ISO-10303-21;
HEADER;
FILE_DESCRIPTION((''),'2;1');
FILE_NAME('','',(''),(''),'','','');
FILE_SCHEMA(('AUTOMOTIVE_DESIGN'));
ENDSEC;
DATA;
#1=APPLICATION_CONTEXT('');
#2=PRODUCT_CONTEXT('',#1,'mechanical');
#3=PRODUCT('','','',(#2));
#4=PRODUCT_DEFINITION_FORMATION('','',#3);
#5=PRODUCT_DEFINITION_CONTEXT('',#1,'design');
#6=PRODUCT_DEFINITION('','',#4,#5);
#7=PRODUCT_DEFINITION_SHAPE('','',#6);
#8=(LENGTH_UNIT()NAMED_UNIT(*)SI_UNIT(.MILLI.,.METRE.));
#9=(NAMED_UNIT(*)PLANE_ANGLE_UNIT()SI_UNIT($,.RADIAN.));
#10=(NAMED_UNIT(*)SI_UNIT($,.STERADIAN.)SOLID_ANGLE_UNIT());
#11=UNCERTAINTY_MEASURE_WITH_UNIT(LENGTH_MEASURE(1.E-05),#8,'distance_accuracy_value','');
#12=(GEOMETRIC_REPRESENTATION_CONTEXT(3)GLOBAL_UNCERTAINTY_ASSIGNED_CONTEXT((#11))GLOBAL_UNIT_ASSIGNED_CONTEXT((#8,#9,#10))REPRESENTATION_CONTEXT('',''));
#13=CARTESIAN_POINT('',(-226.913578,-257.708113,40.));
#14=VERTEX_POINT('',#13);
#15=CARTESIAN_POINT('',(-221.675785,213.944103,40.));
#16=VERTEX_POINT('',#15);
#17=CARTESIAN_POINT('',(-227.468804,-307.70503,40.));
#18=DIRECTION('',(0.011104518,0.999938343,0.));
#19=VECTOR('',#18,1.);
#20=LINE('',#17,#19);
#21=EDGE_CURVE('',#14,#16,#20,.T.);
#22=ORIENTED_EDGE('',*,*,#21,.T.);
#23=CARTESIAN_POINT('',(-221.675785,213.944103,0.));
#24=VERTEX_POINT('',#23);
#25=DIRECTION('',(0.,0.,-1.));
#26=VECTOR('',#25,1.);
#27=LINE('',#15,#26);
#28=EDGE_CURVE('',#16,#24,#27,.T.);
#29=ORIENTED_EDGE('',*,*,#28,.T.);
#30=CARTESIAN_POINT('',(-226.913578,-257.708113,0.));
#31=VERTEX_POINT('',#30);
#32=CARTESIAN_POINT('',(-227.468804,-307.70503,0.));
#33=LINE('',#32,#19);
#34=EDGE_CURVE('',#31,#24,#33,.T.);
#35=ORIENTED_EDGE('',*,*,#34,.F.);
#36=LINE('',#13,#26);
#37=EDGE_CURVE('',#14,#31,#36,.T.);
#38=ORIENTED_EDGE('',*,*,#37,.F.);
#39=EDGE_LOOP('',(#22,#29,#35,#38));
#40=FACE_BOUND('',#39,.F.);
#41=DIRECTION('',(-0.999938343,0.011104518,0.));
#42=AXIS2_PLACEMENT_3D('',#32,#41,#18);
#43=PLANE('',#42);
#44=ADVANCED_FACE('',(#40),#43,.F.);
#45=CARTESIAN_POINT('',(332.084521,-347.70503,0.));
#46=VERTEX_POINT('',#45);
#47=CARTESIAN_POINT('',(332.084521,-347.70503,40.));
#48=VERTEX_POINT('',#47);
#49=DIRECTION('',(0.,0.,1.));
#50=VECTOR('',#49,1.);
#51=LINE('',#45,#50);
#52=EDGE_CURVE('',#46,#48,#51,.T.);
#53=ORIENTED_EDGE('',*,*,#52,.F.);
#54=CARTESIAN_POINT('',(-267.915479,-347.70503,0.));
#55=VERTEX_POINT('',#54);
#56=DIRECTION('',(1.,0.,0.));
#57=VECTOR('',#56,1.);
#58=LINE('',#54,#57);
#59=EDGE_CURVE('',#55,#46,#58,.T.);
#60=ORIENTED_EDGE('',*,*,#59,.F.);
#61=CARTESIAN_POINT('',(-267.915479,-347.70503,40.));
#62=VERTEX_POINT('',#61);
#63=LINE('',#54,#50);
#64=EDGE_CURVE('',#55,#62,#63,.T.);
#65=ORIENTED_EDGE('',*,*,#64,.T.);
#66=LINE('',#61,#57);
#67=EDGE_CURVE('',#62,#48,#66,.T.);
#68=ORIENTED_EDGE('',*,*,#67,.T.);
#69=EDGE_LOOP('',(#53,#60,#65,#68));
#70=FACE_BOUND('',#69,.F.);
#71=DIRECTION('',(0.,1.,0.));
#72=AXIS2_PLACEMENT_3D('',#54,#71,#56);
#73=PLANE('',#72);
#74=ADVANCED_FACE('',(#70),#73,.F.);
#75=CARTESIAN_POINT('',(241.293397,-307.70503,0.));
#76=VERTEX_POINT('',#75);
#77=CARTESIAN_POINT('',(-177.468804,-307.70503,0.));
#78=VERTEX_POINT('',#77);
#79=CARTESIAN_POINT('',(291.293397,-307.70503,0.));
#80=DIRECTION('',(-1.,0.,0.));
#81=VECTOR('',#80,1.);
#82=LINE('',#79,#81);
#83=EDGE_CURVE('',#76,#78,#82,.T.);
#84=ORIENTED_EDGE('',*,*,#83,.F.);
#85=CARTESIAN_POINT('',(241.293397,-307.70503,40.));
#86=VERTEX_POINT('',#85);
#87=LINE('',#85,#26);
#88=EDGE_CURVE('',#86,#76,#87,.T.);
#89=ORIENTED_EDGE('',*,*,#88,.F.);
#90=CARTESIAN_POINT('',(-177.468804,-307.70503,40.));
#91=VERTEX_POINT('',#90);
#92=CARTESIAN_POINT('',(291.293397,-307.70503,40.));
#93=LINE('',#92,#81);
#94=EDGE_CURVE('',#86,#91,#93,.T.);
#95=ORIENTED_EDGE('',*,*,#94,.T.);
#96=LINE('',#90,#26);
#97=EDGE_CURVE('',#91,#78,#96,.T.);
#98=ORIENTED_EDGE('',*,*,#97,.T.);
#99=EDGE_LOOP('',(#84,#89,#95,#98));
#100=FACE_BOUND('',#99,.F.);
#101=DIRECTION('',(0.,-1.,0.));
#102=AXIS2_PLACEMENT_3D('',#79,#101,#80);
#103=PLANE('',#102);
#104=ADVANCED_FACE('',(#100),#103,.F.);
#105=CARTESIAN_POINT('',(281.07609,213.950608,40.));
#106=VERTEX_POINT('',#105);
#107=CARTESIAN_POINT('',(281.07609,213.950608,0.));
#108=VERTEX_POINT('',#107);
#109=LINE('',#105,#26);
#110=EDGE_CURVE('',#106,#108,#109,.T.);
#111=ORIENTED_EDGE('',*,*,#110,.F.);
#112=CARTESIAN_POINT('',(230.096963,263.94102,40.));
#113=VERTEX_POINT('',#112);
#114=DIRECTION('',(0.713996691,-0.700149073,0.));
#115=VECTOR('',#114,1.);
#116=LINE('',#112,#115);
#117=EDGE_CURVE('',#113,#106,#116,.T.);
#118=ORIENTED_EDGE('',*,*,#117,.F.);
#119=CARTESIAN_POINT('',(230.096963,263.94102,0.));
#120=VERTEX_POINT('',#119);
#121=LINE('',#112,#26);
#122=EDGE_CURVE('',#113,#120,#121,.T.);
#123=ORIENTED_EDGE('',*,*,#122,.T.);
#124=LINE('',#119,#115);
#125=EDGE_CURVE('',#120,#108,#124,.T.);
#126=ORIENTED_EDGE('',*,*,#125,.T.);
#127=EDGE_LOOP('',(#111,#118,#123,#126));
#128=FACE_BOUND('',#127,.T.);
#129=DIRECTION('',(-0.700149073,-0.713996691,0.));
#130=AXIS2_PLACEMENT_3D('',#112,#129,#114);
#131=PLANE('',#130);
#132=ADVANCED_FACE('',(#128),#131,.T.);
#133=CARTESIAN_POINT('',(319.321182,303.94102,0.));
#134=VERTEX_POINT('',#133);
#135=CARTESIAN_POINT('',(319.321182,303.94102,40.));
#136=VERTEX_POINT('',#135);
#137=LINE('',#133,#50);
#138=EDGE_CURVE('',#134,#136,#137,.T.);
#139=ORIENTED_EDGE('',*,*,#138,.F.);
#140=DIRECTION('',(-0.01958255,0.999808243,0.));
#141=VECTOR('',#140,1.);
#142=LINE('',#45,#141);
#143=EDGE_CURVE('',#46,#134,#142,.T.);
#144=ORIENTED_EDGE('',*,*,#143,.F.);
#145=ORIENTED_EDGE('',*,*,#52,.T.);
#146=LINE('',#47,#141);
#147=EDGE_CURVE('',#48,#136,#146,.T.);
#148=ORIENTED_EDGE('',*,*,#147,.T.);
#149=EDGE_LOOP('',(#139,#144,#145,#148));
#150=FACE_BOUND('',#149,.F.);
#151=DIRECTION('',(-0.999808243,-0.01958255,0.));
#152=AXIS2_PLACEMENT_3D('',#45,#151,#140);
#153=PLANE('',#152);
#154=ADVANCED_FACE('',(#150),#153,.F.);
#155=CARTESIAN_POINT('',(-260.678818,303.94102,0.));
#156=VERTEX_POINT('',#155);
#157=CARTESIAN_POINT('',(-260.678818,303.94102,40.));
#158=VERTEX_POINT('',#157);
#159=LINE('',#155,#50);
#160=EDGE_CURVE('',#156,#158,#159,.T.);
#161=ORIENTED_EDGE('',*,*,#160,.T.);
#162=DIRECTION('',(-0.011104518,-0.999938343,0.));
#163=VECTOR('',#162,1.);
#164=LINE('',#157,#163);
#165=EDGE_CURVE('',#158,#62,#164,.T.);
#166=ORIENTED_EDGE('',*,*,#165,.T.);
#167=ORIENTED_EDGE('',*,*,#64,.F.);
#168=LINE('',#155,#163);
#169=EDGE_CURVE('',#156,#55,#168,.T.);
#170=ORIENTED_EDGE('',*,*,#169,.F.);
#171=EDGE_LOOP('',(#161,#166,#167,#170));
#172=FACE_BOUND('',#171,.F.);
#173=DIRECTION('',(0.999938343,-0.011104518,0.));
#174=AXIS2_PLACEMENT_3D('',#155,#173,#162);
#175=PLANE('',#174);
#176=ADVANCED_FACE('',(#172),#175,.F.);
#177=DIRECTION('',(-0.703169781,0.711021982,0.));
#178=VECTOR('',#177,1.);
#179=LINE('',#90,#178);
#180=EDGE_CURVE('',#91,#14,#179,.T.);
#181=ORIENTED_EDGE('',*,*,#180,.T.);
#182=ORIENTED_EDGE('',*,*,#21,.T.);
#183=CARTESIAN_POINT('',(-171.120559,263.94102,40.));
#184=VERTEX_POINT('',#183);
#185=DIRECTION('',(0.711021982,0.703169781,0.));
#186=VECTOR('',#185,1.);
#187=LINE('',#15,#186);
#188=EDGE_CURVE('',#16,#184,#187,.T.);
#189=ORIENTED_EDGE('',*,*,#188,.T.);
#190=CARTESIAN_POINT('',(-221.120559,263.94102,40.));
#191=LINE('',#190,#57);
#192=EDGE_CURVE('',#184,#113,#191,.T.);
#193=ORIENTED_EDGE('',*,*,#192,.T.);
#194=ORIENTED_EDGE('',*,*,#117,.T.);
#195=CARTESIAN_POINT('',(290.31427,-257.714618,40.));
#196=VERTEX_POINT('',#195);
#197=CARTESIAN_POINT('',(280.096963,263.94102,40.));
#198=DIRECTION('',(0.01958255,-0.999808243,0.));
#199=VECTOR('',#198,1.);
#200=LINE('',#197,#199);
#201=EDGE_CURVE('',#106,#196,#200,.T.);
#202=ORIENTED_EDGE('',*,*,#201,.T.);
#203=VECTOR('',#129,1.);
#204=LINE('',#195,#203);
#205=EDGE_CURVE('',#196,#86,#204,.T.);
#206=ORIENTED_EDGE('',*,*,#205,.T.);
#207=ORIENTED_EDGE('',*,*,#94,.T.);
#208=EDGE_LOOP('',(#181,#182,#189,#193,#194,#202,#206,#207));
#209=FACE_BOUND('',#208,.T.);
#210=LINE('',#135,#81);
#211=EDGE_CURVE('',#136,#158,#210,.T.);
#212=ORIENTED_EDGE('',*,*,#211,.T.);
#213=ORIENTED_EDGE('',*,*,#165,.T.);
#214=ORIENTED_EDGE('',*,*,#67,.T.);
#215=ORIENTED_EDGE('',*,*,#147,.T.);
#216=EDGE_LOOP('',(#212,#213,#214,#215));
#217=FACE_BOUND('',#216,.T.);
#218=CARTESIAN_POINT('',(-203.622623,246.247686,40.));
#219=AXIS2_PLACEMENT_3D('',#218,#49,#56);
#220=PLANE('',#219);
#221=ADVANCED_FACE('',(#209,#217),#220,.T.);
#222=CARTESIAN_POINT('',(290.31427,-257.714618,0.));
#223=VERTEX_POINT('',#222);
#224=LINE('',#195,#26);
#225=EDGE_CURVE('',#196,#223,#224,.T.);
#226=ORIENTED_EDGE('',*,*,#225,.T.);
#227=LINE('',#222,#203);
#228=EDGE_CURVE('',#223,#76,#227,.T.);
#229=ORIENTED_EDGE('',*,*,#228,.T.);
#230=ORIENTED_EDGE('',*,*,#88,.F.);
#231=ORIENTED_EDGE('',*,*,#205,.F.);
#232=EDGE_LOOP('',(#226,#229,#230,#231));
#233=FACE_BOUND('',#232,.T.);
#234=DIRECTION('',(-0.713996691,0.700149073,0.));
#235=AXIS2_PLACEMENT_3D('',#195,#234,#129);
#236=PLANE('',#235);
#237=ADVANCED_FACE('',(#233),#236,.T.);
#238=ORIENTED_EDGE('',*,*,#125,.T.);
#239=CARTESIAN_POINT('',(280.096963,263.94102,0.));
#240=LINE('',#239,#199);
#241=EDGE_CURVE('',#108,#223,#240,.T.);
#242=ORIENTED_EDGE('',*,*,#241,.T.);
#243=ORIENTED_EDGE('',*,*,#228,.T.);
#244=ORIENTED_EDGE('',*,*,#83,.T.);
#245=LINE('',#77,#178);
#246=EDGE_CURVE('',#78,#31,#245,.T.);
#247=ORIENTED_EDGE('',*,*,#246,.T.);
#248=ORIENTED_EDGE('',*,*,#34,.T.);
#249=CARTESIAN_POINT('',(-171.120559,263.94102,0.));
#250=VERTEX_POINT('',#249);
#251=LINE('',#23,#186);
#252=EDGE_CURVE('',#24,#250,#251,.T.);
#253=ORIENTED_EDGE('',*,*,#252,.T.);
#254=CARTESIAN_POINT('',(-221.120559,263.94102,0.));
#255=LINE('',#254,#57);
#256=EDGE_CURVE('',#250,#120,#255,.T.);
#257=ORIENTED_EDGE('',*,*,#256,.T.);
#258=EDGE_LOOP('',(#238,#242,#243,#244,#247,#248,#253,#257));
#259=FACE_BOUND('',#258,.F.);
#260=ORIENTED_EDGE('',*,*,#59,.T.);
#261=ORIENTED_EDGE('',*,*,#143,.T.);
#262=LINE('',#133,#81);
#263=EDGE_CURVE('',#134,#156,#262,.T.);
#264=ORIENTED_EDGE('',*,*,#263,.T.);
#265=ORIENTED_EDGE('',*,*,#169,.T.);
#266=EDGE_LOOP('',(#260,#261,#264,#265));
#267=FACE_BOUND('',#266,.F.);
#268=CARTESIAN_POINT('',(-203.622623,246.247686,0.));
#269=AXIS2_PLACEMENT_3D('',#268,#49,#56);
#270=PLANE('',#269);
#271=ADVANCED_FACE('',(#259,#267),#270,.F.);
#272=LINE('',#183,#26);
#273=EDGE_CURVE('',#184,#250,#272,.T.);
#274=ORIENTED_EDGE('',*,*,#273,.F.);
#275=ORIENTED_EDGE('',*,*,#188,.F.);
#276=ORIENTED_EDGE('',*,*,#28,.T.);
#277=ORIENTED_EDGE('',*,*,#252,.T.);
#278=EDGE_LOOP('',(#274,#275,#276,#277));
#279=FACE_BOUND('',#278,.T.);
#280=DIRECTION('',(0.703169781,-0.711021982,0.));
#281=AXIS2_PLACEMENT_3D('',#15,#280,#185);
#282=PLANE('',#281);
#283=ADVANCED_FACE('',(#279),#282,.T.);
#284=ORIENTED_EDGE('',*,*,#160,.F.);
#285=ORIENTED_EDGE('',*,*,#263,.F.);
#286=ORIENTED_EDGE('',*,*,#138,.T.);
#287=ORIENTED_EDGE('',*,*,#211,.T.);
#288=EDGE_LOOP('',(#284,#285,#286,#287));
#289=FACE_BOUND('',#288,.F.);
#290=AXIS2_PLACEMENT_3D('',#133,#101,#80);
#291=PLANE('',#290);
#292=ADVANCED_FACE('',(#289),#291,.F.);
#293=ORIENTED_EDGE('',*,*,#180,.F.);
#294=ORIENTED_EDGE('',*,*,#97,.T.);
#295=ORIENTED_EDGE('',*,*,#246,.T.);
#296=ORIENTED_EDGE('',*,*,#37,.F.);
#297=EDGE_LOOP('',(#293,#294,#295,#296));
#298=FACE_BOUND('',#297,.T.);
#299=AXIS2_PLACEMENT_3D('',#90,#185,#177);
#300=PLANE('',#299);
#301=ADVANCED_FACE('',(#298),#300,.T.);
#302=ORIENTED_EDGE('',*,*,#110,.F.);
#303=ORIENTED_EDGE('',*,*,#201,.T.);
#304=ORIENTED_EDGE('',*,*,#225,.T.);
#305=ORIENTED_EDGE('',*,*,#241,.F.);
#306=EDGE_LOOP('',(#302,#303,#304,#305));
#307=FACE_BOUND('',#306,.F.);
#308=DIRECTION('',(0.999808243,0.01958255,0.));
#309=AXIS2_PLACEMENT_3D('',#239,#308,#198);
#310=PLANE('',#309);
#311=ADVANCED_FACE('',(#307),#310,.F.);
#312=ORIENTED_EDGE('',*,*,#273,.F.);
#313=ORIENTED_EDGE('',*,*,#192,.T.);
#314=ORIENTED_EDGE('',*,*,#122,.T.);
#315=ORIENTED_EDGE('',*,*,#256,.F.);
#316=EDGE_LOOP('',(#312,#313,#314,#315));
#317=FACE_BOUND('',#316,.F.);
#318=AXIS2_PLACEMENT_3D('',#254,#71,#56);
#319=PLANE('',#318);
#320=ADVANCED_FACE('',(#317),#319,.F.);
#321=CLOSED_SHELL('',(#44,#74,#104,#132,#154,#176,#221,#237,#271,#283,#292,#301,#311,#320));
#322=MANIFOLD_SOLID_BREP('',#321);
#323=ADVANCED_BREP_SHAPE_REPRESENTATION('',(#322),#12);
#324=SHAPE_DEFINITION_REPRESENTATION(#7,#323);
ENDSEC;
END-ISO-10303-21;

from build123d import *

# Parameters (mm, degrees)
F1_DEPTH = 40
F3_DEPTH = 40


with BuildPart() as f1:
    # F0 (on Top) → F1 (new body)
    with BuildSketch(Plane.XY):
        Polygon((332.0845210909, -347.7050300548), (319.3211823341, 303.9410197735), (-260.6788176659, 303.9410197735), (-267.9154789091, -347.7050300548), align=None)
        Polygon((-221.1205593255, 263.9410197735), (280.0969628313, 263.9410197735), (291.2933971301, -307.7050300548), (-227.4688043808, -307.7050300548), align=None, mode=Mode.SUBTRACT)
    extrude(amount=F1_DEPTH)

    # F2 (on face) → F3 (join)
    with BuildSketch(Plane.XY.offset(40)):
        Polygon((-171.1205593255, 263.9410197735), (-221.1205593255, 263.9410197735), (-221.6757852073, 213.9441026263), align=None)
        Polygon((281.0760903275, 213.9506075993), (280.0969628313, 263.9410197735), (230.0969628313, 263.9410197735), align=None)
        Polygon((-226.9135784991, -257.7081129076), (-227.4688043808, -307.7050300548), (-177.4688043808, -307.7050300548), align=None)
        Polygon((241.2933971301, -307.7050300548), (291.2933971301, -307.7050300548), (290.3142696339, -257.7146178806), align=None)
    extrude(amount=-F3_DEPTH)


solid = f1.part
